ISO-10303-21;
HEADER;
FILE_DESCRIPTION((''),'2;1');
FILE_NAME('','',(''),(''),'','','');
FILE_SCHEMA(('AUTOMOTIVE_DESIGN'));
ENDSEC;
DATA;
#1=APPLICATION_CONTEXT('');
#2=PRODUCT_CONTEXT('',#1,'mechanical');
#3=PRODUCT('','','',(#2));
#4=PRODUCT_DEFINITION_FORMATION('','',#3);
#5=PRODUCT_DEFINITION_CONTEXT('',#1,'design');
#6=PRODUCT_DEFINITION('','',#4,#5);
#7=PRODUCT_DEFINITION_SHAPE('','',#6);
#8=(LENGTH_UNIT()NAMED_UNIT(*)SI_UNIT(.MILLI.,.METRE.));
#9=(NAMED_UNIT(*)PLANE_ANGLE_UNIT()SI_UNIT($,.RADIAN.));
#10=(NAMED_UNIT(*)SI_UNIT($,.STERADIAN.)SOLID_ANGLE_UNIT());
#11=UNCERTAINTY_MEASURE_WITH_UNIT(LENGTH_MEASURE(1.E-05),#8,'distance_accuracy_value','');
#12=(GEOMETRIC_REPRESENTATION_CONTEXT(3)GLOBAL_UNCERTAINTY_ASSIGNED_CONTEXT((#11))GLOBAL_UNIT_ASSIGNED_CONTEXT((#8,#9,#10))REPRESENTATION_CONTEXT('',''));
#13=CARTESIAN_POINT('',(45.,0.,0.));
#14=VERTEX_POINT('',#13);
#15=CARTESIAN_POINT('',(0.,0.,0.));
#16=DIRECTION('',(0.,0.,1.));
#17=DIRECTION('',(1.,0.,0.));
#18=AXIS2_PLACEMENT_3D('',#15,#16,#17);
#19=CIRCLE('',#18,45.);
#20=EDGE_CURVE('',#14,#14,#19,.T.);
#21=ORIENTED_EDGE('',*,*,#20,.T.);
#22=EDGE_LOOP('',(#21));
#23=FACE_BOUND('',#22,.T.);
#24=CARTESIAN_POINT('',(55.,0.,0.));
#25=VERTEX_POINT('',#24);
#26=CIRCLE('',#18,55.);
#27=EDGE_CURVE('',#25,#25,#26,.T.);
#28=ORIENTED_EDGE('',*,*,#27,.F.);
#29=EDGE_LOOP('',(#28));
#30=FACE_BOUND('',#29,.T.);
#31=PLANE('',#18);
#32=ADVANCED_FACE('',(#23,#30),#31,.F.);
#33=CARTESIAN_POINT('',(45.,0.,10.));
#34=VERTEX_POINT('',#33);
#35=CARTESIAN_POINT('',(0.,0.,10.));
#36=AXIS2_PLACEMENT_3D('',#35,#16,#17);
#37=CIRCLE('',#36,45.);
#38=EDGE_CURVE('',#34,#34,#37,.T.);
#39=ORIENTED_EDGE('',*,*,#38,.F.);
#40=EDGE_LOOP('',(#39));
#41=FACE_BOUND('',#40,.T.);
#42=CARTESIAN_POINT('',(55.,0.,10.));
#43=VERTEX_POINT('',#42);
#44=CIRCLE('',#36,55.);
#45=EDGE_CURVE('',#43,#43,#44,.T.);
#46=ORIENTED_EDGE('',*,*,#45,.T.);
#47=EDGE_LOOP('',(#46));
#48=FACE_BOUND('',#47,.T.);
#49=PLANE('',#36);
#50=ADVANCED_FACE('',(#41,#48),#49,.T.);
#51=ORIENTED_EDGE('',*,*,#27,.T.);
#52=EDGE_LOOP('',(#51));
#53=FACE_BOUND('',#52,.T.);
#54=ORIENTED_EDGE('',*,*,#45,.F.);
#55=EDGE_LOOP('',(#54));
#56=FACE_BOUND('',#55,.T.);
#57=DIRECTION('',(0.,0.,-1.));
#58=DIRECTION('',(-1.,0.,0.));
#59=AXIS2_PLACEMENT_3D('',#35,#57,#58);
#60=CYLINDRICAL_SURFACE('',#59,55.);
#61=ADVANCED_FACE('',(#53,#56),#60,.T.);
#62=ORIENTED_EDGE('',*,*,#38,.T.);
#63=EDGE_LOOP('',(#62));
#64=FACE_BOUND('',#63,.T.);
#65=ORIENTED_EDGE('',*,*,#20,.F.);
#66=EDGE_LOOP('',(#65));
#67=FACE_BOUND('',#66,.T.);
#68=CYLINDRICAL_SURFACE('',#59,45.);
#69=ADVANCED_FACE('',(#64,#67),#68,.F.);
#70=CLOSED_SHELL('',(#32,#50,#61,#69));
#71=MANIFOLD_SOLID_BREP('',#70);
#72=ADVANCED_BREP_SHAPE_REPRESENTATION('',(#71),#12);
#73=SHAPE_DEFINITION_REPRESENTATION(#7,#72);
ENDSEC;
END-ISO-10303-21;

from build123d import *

# Parameters (mm, degrees)
SZKIC1_R                    = 55
SZKIC1_R_2                  = 45
DODANIE_WYCI_GNI_CIE1_DEPTH = 10


with BuildPart() as part:
    # Szkic1 → Dodanie-wyciągnięcie1 (new body)
    with BuildSketch(Plane.XY):
        Circle(SZKIC1_R)
        Circle(SZKIC1_R_2, mode=Mode.SUBTRACT)
    extrude(amount=DODANIE_WYCI_GNI_CIE1_DEPTH)


solid = part.part
